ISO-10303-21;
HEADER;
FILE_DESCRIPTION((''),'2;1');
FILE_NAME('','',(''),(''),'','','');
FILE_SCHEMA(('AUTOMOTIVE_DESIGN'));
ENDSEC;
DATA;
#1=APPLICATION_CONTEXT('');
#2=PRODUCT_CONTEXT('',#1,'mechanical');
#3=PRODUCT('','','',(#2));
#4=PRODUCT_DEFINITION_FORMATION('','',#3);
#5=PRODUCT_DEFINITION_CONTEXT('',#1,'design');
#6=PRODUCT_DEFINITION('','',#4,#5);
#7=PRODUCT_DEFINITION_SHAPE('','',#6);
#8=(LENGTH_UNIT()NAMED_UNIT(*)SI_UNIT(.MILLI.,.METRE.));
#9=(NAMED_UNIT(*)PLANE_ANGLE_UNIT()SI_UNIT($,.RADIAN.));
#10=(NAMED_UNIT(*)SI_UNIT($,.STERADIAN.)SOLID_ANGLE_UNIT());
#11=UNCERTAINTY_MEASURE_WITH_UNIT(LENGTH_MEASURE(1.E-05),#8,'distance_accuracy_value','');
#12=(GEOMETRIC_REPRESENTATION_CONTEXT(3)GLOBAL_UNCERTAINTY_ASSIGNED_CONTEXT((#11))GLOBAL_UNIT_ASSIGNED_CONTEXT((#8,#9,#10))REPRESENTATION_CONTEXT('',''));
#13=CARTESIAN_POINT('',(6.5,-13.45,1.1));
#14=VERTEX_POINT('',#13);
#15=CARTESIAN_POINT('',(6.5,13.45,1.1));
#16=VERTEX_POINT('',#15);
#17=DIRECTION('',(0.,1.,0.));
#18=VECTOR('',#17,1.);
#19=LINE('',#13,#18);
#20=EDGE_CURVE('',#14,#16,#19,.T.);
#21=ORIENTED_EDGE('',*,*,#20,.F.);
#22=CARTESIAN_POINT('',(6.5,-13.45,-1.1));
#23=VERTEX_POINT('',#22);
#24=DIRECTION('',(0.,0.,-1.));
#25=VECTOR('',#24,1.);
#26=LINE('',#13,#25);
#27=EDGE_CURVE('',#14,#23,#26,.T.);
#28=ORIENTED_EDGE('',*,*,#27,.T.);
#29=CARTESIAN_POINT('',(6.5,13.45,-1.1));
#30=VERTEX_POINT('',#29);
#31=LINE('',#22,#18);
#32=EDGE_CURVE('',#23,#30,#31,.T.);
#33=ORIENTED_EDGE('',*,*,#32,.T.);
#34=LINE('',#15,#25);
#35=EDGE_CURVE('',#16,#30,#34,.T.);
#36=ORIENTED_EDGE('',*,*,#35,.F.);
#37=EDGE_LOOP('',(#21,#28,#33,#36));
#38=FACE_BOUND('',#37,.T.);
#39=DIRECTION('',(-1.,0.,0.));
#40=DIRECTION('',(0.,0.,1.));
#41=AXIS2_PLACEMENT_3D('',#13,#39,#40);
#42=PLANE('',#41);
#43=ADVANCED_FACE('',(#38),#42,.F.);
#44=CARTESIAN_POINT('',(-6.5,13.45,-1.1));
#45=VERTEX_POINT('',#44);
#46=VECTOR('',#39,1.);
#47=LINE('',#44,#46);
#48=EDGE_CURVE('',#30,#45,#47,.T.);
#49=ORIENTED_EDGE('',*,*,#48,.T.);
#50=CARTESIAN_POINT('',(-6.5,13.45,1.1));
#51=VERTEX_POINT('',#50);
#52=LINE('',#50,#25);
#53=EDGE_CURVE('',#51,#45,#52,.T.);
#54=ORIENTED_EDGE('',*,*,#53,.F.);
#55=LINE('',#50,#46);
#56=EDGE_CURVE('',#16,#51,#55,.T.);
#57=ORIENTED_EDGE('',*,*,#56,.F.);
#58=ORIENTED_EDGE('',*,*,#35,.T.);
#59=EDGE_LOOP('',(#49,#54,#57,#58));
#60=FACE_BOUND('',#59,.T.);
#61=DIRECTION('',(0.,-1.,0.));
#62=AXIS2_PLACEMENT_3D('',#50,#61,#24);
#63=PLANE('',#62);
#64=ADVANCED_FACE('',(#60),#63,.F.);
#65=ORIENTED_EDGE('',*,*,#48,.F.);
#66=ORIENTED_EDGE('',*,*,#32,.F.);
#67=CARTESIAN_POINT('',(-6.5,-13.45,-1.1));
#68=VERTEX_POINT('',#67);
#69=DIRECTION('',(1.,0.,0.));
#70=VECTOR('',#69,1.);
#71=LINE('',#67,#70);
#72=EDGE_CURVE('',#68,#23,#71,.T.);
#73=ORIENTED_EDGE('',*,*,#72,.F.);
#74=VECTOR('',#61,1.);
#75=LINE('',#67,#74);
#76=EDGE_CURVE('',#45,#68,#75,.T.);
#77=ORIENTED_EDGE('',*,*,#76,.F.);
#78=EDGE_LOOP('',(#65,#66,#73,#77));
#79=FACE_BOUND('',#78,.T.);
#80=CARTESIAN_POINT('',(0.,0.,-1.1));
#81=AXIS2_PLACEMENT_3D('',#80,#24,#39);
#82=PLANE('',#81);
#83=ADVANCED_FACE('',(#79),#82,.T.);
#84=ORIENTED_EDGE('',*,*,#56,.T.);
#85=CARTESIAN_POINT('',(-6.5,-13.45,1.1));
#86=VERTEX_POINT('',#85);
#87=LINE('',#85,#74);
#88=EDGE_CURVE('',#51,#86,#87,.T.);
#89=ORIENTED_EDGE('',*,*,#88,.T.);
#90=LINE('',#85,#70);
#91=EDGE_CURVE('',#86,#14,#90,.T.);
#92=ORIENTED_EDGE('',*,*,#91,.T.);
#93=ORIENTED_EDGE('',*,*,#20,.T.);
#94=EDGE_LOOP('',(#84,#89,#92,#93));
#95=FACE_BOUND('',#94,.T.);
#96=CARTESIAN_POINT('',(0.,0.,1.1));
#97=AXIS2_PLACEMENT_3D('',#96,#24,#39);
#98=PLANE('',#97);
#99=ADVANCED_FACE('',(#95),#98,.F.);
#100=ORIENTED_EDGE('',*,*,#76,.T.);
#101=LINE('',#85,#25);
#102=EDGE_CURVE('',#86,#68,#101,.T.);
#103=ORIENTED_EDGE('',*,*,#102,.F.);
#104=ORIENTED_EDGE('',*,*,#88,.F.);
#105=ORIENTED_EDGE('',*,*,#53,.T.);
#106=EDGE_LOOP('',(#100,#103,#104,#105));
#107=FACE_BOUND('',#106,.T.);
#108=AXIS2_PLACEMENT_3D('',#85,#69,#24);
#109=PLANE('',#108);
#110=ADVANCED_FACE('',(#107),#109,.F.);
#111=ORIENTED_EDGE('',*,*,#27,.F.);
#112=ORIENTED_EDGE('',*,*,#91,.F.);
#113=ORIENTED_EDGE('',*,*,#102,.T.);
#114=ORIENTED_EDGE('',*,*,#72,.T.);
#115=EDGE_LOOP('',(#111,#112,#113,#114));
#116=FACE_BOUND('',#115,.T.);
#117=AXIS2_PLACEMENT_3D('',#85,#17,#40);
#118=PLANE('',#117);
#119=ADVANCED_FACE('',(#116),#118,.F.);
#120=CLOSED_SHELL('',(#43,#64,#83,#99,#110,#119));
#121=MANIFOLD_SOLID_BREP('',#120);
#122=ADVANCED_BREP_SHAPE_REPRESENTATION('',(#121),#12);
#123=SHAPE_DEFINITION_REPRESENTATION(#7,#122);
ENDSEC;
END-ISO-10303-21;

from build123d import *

# Parameters (mm, degrees)
SKETCH1_W           = 13
SKETCH1_H           = 26.9
BOSS_EXTRUDE1_DEPTH = 1.1


with BuildPart() as part:
    # Sketch1 → Boss-Extrude1 (new, symmetric)
    with BuildSketch(Plane.XY):
        Rectangle(SKETCH1_W, SKETCH1_H)
    extrude(amount=BOSS_EXTRUDE1_DEPTH, both=True)


solid = part.part
